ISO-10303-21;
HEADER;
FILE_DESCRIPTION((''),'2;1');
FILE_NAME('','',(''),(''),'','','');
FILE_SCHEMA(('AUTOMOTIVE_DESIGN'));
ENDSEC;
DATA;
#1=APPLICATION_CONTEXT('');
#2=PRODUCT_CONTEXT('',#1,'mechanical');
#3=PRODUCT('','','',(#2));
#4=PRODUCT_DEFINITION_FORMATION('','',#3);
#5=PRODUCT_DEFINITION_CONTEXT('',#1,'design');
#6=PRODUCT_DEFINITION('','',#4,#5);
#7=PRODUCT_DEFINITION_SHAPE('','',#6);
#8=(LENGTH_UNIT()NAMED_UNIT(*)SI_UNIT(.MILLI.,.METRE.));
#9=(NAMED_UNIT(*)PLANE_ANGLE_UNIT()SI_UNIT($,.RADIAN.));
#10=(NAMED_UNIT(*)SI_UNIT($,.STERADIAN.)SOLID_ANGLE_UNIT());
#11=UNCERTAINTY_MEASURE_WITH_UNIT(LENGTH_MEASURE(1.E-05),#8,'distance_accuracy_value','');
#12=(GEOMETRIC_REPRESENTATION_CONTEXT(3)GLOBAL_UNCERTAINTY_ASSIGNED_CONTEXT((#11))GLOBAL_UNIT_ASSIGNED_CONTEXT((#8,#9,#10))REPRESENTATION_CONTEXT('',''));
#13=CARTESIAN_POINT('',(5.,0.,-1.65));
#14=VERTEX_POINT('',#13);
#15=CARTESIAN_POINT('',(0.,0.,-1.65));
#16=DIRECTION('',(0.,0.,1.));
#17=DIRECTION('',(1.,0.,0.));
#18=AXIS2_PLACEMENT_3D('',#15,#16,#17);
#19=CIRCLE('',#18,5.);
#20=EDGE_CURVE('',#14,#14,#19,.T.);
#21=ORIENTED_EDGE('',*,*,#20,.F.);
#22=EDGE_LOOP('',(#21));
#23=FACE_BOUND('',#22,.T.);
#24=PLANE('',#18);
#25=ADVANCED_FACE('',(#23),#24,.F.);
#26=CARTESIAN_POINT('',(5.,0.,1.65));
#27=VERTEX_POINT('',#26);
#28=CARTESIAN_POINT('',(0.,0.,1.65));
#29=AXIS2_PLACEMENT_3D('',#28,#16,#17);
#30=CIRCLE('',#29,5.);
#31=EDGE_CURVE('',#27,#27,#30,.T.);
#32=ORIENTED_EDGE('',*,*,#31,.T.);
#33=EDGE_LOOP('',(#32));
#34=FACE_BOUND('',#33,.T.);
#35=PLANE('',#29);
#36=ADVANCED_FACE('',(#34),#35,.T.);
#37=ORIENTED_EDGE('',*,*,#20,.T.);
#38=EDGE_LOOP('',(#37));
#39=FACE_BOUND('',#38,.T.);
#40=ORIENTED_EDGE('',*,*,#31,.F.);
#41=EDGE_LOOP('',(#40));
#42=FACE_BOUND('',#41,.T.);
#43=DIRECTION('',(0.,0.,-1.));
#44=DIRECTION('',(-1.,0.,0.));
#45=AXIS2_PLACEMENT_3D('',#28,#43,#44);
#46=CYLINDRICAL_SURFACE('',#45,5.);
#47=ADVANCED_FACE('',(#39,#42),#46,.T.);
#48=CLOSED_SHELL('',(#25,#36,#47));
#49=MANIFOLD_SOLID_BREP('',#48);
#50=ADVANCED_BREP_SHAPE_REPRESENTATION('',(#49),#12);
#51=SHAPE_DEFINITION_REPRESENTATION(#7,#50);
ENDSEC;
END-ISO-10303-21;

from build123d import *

# Parameters (mm, degrees)
SKETCH_1_R      = 5
EXTRUDE_1_DEPTH = 1.65


with BuildPart() as part:
    # ｽｹｯﾁ1 → ﾎﾞｽ - 押し出し1 (new, symmetric)
    with BuildSketch(Plane.XY):
        Circle(SKETCH_1_R)
    extrude(amount=EXTRUDE_1_DEPTH, both=True)


solid = part.part
